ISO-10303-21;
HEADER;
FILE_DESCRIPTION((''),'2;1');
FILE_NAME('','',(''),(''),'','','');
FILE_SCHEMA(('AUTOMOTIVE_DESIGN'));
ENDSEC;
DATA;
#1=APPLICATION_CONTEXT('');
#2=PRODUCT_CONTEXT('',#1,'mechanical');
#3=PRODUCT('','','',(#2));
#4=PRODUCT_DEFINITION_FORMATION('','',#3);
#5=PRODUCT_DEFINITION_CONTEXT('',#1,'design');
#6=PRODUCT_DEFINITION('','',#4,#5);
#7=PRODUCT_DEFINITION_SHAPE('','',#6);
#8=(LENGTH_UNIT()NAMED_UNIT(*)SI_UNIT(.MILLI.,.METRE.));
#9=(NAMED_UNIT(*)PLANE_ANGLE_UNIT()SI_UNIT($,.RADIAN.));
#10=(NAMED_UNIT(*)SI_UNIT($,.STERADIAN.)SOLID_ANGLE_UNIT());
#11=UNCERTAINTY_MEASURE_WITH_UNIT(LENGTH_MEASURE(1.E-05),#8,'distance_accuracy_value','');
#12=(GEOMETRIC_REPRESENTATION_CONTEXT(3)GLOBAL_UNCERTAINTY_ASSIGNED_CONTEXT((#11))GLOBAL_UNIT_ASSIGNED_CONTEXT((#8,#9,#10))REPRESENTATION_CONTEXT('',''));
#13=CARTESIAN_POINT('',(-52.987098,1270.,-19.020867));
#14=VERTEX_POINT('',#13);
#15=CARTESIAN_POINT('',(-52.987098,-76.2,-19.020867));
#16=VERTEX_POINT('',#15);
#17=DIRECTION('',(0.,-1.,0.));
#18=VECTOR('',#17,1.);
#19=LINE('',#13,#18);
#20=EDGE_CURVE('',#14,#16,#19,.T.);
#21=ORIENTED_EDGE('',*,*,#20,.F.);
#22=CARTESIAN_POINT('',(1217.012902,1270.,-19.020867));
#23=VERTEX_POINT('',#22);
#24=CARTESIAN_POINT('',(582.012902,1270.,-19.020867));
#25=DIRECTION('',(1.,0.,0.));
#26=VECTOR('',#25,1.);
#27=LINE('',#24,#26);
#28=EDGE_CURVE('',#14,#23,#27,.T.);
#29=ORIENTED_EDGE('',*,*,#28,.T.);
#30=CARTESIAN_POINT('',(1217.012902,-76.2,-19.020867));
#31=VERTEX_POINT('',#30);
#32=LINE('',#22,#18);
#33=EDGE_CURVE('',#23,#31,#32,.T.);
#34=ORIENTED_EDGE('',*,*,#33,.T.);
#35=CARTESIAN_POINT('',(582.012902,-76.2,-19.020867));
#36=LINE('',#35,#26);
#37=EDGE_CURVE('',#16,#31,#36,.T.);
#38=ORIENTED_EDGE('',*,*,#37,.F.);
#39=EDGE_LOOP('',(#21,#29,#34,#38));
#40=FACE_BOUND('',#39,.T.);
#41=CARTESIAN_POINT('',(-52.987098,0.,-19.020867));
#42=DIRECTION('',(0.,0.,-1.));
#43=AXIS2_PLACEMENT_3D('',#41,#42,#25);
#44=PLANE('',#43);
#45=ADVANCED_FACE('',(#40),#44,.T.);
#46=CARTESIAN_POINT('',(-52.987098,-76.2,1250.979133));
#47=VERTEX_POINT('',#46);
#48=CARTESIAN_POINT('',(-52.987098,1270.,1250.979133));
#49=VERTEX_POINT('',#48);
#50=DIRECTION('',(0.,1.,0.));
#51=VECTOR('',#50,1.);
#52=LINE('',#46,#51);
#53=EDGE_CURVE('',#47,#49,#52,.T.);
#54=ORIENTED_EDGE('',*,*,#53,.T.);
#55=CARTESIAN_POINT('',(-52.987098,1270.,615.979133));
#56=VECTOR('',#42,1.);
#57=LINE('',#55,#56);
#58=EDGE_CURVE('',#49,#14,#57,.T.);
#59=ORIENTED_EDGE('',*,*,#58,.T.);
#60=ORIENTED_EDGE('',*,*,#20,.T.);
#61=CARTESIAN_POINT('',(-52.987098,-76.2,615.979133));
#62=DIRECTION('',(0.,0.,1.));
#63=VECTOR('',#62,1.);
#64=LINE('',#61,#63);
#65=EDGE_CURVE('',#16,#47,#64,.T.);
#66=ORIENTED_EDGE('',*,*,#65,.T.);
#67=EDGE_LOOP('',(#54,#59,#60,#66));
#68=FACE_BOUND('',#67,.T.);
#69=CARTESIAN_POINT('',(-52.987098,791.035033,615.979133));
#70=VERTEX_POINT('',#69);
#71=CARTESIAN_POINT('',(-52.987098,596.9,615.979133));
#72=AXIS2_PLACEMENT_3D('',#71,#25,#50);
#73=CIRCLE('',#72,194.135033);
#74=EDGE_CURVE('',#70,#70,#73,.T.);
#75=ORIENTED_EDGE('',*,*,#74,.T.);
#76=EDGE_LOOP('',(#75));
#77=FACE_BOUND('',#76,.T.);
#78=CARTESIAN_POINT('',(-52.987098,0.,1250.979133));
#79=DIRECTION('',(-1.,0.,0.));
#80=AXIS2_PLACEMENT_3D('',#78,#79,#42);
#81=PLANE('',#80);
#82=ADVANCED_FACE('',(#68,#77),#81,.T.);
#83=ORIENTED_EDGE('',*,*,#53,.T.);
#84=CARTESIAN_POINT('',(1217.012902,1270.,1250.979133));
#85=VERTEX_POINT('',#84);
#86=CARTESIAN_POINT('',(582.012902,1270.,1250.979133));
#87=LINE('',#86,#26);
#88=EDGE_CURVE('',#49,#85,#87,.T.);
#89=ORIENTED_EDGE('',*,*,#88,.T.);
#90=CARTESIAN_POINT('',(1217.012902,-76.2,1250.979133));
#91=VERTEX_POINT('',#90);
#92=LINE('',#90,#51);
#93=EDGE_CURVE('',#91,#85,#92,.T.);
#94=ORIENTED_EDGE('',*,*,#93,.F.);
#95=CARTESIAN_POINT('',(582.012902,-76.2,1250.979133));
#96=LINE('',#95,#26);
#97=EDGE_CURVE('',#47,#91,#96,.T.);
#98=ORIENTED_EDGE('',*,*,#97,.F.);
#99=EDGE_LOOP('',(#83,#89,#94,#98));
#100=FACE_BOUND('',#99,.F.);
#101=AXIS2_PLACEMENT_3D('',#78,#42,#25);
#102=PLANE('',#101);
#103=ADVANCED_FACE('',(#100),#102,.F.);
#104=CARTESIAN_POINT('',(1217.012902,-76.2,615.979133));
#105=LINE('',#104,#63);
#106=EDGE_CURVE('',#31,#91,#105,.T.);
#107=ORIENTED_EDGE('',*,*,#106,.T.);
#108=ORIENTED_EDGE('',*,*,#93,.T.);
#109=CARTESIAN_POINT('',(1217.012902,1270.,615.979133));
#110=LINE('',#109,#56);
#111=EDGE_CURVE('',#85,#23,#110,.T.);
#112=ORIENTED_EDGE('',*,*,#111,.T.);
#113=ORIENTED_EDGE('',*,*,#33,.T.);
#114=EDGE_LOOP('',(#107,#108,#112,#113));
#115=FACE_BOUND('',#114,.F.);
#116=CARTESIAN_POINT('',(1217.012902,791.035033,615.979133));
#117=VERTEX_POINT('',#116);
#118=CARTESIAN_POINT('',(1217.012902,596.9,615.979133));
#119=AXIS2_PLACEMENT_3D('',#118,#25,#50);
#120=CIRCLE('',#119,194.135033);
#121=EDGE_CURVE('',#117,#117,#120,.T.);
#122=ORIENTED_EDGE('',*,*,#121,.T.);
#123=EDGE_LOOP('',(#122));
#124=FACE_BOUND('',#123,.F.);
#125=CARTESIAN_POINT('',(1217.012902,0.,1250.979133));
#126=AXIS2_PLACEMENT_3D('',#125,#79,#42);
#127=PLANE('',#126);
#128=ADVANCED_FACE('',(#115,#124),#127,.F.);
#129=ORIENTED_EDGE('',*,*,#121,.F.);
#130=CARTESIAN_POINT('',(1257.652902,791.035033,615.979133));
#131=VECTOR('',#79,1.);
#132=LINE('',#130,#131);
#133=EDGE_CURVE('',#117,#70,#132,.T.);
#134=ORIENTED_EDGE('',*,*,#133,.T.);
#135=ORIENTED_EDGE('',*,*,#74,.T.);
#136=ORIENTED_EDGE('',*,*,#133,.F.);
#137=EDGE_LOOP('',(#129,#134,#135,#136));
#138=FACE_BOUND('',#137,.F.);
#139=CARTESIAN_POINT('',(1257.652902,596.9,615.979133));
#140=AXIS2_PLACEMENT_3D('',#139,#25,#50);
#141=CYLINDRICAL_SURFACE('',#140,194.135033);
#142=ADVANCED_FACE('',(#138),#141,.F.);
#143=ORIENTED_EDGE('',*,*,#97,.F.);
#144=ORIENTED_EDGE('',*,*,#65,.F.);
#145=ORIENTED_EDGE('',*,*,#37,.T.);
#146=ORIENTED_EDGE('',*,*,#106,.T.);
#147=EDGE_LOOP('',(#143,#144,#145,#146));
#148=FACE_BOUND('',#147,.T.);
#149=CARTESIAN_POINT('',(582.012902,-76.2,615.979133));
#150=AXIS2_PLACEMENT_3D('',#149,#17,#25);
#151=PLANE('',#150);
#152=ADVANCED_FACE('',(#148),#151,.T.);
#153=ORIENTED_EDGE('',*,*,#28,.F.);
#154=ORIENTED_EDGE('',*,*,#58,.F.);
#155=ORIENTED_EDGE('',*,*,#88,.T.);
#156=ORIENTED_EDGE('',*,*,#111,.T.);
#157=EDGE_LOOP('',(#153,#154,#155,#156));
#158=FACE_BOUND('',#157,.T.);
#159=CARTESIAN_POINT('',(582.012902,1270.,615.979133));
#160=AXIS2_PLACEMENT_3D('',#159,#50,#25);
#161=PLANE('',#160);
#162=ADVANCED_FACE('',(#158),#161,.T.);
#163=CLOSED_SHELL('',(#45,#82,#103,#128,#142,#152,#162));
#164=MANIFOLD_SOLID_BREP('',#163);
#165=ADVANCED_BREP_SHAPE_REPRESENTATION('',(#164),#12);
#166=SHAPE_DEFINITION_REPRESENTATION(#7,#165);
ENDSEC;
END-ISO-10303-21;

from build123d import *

# Parameters (mm, degrees)
F0_W      = 1270
F0_H      = 1270
F1_DEPTH  = 76.2
F1_FACE_W = 1270
F1_FACE_H = 1270
F2_DEPTH  = 1270
F3_R      = 194.135033
F4_DEPTH  = 40.64
F4_FACE_R = 194.135033
F5_DEPTH  = 1397


with BuildPart() as f1:
    # F0 (on Front) → F1 (new body)
    with BuildSketch(Plane.XZ):
        with Locations((582.012902, 615.979133)):
            Rectangle(F0_W, F0_H)
    extrude(amount=F1_DEPTH)

    # F1_face (on face) → F2 (join)
    with BuildSketch(Plane(origin=(582.012902, 0, 615.979133), x_dir=(1, 0, 0), z_dir=(0, 1, 0))):
        Rectangle(F1_FACE_W, F1_FACE_H)
    extrude(amount=F2_DEPTH)

    # F3 (on face) → F4 (join)
    with BuildSketch(Plane.YZ.offset(1217.012902)):
        with Locations((596.9, 615.979133)):
            Circle(F3_R)
    extrude(amount=F4_DEPTH)

    # F4_face (on face) → F5 (cut)
    with BuildSketch(Plane(origin=(1257.652902, 596.9, 615.979133), x_dir=(0, 1, 0), z_dir=(1, 0, 0))):
        Circle(F4_FACE_R)
    extrude(amount=-F5_DEPTH, mode=Mode.SUBTRACT)


solid = f1.part
